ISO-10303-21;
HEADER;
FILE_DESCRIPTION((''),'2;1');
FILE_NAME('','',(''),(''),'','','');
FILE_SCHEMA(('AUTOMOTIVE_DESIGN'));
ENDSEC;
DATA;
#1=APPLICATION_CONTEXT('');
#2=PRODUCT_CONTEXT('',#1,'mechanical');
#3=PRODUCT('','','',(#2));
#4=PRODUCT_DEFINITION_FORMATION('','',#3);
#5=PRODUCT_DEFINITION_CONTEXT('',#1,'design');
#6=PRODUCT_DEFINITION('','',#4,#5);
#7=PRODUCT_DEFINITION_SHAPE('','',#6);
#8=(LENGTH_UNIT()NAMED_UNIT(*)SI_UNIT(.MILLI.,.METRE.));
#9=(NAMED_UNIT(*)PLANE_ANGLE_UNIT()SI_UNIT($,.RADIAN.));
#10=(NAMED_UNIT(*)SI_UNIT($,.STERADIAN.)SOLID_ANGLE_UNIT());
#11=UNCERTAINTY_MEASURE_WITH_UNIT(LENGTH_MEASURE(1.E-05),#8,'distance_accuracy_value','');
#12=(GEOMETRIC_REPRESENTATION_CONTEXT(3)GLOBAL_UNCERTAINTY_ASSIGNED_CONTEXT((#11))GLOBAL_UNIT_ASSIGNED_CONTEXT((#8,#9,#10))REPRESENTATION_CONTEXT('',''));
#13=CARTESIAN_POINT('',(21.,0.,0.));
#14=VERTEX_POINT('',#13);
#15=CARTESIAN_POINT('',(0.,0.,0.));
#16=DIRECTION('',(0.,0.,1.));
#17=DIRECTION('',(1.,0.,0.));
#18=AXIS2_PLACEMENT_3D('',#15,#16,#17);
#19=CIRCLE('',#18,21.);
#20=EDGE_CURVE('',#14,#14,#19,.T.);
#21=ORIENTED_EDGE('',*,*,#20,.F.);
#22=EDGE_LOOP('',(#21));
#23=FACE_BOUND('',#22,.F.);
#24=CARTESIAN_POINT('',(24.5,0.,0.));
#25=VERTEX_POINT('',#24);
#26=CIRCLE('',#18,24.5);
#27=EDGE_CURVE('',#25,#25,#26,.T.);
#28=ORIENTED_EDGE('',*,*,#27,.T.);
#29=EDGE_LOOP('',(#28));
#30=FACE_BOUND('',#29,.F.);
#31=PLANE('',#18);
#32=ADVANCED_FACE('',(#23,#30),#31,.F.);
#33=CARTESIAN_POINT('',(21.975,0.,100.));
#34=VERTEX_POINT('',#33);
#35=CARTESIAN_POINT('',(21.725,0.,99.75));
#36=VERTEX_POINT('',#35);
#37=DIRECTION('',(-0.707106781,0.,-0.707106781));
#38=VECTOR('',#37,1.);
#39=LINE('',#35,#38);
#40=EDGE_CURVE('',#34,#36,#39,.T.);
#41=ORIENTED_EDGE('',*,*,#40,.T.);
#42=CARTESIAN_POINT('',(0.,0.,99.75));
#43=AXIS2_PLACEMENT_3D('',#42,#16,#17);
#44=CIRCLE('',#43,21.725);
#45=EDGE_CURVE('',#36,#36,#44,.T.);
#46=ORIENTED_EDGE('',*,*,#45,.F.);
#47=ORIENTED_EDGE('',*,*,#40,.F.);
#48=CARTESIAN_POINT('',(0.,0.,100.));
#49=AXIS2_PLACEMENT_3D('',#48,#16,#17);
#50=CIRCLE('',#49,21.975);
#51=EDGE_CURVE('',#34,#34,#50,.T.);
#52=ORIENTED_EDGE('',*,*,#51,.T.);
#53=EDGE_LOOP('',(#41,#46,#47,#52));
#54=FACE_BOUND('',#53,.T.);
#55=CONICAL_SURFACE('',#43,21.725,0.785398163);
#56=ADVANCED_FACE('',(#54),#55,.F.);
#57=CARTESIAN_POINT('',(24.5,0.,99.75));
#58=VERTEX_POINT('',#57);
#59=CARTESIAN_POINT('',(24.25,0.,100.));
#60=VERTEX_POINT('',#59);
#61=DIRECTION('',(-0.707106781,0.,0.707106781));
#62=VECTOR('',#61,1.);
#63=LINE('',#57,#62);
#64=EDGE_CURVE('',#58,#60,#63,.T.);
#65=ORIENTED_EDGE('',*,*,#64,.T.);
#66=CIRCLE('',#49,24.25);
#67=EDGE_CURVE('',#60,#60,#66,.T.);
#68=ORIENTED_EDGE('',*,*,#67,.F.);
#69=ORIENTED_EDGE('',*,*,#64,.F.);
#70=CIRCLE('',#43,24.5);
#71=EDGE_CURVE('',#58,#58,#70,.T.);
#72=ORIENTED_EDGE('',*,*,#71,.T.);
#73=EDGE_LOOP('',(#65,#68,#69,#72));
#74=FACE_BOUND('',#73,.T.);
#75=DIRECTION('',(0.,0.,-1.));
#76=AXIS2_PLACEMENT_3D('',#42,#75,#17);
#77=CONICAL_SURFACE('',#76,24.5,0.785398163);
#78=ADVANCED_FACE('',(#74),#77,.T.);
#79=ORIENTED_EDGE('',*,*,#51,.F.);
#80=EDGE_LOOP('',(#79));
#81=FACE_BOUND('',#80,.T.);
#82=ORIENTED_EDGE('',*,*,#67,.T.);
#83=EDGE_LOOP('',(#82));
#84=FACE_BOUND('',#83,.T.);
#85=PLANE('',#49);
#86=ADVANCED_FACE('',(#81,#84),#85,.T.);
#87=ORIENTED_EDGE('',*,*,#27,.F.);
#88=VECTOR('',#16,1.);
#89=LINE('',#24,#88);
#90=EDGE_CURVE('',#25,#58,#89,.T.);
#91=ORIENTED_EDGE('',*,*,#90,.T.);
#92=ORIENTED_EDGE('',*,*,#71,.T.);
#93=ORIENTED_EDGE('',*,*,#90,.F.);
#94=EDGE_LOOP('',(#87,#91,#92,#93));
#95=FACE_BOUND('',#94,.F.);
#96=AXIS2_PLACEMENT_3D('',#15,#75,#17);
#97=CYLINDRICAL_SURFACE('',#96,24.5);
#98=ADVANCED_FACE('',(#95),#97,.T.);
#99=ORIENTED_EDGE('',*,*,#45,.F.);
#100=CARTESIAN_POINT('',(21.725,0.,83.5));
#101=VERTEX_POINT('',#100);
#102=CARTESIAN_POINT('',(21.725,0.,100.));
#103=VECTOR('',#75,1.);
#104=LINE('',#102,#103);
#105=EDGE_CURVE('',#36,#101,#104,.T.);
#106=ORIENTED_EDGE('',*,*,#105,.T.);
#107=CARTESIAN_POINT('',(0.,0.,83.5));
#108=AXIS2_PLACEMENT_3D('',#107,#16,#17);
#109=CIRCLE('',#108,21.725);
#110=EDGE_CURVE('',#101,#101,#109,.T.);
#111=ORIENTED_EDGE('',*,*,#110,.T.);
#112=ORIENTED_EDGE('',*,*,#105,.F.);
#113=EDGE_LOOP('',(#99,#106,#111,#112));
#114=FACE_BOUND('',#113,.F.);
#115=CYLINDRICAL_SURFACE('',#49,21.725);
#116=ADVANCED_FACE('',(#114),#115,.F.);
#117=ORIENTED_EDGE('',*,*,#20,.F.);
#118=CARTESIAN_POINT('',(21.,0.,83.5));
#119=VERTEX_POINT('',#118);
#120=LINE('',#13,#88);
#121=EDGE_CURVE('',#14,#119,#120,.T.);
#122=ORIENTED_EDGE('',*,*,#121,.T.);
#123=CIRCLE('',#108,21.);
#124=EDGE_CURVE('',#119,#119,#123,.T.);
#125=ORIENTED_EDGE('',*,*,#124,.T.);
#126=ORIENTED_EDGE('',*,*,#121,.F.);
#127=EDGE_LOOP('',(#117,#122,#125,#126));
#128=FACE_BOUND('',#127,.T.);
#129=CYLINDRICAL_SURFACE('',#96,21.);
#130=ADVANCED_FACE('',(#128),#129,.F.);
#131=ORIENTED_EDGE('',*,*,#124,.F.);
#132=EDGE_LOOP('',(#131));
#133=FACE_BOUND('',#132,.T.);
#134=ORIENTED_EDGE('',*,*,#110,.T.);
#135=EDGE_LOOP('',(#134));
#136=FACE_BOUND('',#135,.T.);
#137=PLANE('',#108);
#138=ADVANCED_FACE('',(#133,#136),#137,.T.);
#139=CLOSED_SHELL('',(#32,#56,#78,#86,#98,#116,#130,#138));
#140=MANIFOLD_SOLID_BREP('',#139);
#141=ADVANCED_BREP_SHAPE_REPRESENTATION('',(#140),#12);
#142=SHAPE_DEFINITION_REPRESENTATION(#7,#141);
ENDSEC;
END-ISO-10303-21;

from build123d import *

# Parameters (mm, degrees)
F0_R     = 24.5
F0_R_2   = 21
F1_DEPTH = 100
F2_R     = 21.725
F2_R_2   = 21
F3_DEPTH = 16.5
F4_SIZE  = 0.25


with BuildPart() as f1:
    # F0 (on Top) → F1 (new body)
    with BuildSketch(Plane.XY):
        Circle(F0_R)
        Circle(F0_R_2, mode=Mode.SUBTRACT)
    extrude(amount=F1_DEPTH)

    # F2 (on face) → F3 (cut)
    with BuildSketch(Plane.XY.offset(100)):
        Circle(F2_R)
        Circle(F2_R_2, mode=Mode.SUBTRACT)
    extrude(amount=-F3_DEPTH, mode=Mode.SUBTRACT)

    # F4
    f4_edges = [f1.edges().sort_by_distance(p)[0] for p in [
        (-24.5, 0, 100),
        (-21.725, 0, 100),
    ]]
    chamfer(f4_edges, length=F4_SIZE)


solid = f1.part
